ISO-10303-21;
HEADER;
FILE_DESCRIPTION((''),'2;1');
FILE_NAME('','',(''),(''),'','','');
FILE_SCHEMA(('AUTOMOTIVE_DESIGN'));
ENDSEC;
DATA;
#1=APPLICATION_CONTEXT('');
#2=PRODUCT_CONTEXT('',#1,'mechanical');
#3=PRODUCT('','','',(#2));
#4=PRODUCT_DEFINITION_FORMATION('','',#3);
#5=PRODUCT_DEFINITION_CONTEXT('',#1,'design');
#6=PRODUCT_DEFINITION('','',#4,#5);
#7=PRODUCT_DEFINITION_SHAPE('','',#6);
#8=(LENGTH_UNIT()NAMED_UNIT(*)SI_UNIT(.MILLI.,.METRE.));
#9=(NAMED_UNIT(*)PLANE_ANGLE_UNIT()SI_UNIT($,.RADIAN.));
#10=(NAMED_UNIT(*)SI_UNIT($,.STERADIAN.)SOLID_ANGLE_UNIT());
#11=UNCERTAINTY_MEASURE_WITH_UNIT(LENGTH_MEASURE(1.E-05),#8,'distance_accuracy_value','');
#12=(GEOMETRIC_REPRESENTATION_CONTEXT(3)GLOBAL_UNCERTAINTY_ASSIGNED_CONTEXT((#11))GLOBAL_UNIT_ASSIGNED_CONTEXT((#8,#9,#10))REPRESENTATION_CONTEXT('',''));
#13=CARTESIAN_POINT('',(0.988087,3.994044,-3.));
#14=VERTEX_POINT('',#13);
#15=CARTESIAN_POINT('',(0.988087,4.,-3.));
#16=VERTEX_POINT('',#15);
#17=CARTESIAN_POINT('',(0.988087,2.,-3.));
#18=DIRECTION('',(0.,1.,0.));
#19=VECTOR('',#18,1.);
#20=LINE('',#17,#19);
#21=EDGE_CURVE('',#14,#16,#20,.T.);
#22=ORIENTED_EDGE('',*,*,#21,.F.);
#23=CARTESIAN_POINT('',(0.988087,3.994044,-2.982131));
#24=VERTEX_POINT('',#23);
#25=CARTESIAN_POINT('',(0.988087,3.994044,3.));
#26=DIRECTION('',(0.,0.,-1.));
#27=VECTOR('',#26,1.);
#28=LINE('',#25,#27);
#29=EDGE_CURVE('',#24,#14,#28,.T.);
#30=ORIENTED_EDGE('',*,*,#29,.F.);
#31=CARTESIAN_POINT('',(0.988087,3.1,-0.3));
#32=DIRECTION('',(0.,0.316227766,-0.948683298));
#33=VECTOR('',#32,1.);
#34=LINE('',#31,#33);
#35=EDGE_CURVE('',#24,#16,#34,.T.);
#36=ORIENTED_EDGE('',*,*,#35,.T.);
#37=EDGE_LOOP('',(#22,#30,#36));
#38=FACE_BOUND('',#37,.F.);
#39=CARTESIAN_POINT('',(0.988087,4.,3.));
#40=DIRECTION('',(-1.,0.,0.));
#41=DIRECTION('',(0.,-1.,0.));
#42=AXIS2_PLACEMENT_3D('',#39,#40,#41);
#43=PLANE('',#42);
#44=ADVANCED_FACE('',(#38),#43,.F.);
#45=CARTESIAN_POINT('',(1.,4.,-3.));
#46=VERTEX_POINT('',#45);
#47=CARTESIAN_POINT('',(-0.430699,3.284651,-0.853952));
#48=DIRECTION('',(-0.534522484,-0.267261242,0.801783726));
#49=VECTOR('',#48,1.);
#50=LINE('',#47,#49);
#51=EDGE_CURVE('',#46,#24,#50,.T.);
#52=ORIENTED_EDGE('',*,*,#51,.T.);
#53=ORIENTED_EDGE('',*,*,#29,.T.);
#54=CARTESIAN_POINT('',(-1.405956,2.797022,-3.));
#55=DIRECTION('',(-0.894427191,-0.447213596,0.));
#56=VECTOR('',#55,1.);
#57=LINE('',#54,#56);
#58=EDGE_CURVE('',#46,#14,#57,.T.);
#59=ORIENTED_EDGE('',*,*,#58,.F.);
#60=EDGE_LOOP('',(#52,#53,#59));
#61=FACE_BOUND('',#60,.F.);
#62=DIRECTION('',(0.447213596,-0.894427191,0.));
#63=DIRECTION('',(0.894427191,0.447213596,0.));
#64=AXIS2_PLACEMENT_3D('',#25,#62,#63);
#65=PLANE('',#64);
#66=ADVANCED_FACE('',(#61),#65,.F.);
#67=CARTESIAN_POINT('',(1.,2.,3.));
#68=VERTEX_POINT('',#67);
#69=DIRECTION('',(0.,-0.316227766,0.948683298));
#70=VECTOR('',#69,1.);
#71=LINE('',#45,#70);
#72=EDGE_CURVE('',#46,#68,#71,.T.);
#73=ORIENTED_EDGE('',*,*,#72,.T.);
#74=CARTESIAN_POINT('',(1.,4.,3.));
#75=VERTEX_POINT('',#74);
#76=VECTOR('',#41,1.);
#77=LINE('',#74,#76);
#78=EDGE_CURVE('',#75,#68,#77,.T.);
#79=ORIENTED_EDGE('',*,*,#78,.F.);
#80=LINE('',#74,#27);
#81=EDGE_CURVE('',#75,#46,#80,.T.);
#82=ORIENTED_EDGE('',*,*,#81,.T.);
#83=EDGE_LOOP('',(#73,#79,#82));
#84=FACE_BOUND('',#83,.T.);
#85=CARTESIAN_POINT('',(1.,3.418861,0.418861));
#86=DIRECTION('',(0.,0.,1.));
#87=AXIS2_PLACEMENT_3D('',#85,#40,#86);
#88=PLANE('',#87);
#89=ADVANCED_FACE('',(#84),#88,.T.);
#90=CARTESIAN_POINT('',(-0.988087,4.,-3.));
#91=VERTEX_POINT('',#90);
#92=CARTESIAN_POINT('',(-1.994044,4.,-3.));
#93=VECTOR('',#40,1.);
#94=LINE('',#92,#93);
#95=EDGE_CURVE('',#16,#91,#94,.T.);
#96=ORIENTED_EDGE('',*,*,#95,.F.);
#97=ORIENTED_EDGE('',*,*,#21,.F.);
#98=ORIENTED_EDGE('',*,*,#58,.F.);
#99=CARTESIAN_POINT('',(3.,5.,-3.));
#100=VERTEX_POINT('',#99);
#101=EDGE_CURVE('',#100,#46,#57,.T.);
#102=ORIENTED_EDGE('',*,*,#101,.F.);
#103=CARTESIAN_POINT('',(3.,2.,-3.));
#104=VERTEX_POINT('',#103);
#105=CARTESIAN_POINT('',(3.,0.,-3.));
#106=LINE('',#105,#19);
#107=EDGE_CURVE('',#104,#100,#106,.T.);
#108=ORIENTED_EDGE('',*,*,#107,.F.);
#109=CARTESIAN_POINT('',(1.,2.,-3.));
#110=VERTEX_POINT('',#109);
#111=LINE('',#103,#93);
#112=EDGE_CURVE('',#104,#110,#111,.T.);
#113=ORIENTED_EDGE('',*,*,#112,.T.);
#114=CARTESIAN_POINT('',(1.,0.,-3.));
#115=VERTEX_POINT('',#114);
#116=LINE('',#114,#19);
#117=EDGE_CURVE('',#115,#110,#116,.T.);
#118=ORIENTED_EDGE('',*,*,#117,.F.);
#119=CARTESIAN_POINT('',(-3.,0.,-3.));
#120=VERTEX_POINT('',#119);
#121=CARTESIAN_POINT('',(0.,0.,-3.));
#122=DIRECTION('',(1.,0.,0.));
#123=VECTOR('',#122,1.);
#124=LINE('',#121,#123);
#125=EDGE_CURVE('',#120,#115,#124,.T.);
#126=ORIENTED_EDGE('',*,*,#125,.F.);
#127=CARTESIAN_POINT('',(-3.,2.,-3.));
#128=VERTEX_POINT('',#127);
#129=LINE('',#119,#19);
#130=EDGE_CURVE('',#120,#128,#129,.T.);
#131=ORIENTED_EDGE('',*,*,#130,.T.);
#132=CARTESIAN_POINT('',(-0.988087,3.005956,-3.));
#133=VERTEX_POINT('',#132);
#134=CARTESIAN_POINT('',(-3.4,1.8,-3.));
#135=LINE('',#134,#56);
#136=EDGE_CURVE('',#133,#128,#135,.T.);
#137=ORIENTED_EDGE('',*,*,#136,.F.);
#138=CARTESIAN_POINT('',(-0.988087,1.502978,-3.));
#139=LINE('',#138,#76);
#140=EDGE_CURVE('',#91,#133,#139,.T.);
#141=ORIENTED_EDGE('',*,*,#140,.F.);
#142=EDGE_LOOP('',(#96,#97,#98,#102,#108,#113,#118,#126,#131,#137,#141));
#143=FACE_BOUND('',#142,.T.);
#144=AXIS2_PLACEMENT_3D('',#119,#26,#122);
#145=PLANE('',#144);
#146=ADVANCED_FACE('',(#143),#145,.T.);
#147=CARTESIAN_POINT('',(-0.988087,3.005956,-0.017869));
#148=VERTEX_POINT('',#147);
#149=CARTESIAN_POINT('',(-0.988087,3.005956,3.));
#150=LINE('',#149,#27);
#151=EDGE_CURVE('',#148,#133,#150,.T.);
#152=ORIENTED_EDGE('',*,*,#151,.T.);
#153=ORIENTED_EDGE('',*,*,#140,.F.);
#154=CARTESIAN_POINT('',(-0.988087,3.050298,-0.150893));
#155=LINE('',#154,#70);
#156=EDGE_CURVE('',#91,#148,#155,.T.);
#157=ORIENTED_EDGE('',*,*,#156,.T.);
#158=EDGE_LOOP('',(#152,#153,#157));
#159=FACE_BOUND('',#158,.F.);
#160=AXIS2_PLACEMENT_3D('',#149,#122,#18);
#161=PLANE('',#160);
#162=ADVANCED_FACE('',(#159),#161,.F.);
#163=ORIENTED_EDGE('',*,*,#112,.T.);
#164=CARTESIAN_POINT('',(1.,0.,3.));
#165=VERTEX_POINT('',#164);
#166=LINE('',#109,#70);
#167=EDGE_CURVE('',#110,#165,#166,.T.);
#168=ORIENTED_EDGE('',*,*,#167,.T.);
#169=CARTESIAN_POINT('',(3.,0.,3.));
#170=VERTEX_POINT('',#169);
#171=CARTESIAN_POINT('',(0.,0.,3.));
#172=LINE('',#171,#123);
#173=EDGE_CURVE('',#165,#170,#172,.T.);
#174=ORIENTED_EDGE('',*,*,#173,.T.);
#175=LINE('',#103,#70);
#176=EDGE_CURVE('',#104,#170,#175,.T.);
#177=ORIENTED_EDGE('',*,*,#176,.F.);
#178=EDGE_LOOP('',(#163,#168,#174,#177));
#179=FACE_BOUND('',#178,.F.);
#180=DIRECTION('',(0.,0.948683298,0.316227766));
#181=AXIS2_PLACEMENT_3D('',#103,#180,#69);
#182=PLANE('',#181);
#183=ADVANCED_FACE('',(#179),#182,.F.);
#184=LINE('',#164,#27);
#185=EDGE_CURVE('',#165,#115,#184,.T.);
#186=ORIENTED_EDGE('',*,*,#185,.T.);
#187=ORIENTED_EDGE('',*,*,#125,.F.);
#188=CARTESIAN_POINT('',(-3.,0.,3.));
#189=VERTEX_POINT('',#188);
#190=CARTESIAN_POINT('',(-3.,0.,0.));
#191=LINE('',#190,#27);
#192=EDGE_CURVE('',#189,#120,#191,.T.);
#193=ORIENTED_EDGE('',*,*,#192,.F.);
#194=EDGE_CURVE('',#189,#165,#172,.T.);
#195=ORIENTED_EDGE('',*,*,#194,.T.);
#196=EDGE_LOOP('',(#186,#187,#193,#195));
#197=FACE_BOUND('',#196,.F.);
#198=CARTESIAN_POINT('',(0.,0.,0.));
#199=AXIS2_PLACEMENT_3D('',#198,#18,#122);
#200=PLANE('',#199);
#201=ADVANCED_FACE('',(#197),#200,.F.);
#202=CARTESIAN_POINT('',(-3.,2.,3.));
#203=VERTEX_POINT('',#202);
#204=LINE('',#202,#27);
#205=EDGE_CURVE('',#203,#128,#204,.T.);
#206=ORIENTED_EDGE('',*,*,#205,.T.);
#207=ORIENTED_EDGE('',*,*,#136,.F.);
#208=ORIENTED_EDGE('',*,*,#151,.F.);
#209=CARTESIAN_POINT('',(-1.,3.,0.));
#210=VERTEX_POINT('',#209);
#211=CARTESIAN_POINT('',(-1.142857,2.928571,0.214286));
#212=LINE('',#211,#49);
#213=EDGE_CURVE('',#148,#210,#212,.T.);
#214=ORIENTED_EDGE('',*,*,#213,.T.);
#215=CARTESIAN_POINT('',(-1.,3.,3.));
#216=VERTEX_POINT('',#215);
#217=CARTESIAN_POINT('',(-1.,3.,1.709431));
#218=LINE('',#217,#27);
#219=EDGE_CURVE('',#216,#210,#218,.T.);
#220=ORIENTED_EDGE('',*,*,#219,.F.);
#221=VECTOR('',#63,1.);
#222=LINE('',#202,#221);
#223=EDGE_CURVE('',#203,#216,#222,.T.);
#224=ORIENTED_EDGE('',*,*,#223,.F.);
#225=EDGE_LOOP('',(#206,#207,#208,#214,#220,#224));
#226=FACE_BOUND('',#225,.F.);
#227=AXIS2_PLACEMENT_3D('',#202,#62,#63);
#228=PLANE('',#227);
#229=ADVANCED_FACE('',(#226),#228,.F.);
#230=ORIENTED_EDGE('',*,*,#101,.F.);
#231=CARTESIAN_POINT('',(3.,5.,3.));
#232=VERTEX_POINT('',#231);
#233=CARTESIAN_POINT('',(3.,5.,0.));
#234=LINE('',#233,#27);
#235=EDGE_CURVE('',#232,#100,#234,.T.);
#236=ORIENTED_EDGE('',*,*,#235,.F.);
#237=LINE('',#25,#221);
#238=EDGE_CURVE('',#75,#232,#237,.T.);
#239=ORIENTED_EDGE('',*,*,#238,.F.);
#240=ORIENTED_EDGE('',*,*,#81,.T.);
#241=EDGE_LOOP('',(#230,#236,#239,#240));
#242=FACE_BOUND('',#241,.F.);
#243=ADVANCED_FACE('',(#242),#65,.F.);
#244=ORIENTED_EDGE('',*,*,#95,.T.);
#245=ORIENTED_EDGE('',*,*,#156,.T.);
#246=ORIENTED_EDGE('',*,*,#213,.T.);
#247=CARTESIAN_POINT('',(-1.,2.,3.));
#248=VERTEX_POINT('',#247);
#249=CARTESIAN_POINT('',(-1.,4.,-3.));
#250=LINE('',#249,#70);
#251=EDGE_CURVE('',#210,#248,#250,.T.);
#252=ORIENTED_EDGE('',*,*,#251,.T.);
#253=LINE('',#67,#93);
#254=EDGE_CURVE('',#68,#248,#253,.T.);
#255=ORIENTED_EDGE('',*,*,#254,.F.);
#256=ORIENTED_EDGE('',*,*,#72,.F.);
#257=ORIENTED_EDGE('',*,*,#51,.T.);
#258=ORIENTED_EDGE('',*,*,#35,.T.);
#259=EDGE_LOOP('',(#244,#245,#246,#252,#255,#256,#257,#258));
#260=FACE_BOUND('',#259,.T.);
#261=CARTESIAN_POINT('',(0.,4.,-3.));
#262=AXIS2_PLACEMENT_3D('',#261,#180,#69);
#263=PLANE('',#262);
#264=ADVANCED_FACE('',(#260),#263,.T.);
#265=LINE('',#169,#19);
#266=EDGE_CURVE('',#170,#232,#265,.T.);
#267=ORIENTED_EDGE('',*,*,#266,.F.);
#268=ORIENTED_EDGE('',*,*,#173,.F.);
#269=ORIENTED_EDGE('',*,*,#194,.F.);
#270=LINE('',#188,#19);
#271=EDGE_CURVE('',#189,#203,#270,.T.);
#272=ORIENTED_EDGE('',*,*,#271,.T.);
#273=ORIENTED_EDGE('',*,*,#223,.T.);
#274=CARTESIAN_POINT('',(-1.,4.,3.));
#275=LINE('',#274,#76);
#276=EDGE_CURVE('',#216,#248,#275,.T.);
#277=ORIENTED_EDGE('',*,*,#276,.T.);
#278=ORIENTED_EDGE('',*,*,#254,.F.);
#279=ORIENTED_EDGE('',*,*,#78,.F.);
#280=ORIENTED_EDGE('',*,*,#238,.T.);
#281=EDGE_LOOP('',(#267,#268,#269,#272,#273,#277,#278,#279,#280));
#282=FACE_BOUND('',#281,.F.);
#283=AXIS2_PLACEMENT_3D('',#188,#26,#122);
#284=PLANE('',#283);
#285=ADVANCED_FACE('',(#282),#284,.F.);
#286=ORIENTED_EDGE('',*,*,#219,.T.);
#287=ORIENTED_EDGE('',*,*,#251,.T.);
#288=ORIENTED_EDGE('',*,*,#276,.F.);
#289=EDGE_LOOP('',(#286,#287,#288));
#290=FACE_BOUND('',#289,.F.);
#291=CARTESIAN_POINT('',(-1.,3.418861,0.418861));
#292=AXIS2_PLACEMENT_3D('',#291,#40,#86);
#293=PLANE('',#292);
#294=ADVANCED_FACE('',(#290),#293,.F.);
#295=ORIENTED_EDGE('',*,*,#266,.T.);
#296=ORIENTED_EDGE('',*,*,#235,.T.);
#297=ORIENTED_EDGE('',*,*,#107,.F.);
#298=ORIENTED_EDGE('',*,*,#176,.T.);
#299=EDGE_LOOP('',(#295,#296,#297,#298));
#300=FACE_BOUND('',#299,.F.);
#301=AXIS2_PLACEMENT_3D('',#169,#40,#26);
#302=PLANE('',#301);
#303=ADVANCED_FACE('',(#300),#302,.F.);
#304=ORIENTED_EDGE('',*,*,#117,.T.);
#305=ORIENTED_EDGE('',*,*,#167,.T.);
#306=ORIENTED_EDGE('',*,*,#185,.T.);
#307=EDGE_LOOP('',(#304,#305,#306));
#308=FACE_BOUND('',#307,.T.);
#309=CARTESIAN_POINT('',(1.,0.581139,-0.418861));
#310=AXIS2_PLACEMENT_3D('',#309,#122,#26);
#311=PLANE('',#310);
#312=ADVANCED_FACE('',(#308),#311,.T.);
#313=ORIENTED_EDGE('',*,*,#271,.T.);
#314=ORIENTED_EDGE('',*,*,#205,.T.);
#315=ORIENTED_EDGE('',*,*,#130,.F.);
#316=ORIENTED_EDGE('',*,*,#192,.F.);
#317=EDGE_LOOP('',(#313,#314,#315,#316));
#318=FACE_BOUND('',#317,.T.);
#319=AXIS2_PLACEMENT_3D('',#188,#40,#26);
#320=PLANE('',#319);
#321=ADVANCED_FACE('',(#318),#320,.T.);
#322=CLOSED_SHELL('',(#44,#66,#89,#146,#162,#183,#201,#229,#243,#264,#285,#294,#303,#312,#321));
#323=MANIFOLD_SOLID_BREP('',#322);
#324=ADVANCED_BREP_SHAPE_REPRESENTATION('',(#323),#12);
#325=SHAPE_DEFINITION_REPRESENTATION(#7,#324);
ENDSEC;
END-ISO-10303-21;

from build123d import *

# Parameters (mm, degrees)
SKETCH1_W           = 6
SKETCH1_H           = 6
BOSS_EXTRUDE1_DEPTH = 5
CUT_EXTRUDE12_DEPTH = 12
CUT_EXTRUDE13_DEPTH = 1
CUT_EXTRUDE14_DEPTH = 2


with BuildPart() as part:
    # Sketch1 → Boss-Extrude1 (new body)
    with BuildSketch(Plane(origin=(0, 0, 0), x_dir=(1, 0, 0), z_dir=(0, 1, 0))):
        Rectangle(SKETCH1_W, SKETCH1_H)
    extrude(amount=BOSS_EXTRUDE1_DEPTH)

    # Sketch11 → Cut-Extrude12 (cut)
    with BuildSketch(Plane.XY.offset(3)):
        Polygon((-3, 5), (-3, 2), (-0.98808733, 3.005956335), (-0.98808733, 4), (0.98808733, 4), (0.98808733, 3.994043665), (3, 5), align=None)
    extrude(amount=-CUT_EXTRUDE12_DEPTH, mode=Mode.SUBTRACT)

    # Sketch12 → Cut-Extrude13 (cut, symmetric)
    with BuildSketch(Plane(origin=(0, 0, 0), x_dir=(0, 0, -1), z_dir=(1, 0, 0))):
        Polygon((3, 4), (-3, 2), (-3, 3.005956335), (-3, 4), align=None)
    extrude(amount=CUT_EXTRUDE13_DEPTH, both=True, mode=Mode.SUBTRACT)

    # Sketch13 → Cut-Extrude14 (cut)
    with BuildSketch(Plane(origin=(3, 0, 0), x_dir=(0, 0, -1), z_dir=(1, 0, 0))):
        Polygon((3, 2), (-3, 0), (3, 0), align=None)
    extrude(amount=-CUT_EXTRUDE14_DEPTH, mode=Mode.SUBTRACT)


solid = part.part
